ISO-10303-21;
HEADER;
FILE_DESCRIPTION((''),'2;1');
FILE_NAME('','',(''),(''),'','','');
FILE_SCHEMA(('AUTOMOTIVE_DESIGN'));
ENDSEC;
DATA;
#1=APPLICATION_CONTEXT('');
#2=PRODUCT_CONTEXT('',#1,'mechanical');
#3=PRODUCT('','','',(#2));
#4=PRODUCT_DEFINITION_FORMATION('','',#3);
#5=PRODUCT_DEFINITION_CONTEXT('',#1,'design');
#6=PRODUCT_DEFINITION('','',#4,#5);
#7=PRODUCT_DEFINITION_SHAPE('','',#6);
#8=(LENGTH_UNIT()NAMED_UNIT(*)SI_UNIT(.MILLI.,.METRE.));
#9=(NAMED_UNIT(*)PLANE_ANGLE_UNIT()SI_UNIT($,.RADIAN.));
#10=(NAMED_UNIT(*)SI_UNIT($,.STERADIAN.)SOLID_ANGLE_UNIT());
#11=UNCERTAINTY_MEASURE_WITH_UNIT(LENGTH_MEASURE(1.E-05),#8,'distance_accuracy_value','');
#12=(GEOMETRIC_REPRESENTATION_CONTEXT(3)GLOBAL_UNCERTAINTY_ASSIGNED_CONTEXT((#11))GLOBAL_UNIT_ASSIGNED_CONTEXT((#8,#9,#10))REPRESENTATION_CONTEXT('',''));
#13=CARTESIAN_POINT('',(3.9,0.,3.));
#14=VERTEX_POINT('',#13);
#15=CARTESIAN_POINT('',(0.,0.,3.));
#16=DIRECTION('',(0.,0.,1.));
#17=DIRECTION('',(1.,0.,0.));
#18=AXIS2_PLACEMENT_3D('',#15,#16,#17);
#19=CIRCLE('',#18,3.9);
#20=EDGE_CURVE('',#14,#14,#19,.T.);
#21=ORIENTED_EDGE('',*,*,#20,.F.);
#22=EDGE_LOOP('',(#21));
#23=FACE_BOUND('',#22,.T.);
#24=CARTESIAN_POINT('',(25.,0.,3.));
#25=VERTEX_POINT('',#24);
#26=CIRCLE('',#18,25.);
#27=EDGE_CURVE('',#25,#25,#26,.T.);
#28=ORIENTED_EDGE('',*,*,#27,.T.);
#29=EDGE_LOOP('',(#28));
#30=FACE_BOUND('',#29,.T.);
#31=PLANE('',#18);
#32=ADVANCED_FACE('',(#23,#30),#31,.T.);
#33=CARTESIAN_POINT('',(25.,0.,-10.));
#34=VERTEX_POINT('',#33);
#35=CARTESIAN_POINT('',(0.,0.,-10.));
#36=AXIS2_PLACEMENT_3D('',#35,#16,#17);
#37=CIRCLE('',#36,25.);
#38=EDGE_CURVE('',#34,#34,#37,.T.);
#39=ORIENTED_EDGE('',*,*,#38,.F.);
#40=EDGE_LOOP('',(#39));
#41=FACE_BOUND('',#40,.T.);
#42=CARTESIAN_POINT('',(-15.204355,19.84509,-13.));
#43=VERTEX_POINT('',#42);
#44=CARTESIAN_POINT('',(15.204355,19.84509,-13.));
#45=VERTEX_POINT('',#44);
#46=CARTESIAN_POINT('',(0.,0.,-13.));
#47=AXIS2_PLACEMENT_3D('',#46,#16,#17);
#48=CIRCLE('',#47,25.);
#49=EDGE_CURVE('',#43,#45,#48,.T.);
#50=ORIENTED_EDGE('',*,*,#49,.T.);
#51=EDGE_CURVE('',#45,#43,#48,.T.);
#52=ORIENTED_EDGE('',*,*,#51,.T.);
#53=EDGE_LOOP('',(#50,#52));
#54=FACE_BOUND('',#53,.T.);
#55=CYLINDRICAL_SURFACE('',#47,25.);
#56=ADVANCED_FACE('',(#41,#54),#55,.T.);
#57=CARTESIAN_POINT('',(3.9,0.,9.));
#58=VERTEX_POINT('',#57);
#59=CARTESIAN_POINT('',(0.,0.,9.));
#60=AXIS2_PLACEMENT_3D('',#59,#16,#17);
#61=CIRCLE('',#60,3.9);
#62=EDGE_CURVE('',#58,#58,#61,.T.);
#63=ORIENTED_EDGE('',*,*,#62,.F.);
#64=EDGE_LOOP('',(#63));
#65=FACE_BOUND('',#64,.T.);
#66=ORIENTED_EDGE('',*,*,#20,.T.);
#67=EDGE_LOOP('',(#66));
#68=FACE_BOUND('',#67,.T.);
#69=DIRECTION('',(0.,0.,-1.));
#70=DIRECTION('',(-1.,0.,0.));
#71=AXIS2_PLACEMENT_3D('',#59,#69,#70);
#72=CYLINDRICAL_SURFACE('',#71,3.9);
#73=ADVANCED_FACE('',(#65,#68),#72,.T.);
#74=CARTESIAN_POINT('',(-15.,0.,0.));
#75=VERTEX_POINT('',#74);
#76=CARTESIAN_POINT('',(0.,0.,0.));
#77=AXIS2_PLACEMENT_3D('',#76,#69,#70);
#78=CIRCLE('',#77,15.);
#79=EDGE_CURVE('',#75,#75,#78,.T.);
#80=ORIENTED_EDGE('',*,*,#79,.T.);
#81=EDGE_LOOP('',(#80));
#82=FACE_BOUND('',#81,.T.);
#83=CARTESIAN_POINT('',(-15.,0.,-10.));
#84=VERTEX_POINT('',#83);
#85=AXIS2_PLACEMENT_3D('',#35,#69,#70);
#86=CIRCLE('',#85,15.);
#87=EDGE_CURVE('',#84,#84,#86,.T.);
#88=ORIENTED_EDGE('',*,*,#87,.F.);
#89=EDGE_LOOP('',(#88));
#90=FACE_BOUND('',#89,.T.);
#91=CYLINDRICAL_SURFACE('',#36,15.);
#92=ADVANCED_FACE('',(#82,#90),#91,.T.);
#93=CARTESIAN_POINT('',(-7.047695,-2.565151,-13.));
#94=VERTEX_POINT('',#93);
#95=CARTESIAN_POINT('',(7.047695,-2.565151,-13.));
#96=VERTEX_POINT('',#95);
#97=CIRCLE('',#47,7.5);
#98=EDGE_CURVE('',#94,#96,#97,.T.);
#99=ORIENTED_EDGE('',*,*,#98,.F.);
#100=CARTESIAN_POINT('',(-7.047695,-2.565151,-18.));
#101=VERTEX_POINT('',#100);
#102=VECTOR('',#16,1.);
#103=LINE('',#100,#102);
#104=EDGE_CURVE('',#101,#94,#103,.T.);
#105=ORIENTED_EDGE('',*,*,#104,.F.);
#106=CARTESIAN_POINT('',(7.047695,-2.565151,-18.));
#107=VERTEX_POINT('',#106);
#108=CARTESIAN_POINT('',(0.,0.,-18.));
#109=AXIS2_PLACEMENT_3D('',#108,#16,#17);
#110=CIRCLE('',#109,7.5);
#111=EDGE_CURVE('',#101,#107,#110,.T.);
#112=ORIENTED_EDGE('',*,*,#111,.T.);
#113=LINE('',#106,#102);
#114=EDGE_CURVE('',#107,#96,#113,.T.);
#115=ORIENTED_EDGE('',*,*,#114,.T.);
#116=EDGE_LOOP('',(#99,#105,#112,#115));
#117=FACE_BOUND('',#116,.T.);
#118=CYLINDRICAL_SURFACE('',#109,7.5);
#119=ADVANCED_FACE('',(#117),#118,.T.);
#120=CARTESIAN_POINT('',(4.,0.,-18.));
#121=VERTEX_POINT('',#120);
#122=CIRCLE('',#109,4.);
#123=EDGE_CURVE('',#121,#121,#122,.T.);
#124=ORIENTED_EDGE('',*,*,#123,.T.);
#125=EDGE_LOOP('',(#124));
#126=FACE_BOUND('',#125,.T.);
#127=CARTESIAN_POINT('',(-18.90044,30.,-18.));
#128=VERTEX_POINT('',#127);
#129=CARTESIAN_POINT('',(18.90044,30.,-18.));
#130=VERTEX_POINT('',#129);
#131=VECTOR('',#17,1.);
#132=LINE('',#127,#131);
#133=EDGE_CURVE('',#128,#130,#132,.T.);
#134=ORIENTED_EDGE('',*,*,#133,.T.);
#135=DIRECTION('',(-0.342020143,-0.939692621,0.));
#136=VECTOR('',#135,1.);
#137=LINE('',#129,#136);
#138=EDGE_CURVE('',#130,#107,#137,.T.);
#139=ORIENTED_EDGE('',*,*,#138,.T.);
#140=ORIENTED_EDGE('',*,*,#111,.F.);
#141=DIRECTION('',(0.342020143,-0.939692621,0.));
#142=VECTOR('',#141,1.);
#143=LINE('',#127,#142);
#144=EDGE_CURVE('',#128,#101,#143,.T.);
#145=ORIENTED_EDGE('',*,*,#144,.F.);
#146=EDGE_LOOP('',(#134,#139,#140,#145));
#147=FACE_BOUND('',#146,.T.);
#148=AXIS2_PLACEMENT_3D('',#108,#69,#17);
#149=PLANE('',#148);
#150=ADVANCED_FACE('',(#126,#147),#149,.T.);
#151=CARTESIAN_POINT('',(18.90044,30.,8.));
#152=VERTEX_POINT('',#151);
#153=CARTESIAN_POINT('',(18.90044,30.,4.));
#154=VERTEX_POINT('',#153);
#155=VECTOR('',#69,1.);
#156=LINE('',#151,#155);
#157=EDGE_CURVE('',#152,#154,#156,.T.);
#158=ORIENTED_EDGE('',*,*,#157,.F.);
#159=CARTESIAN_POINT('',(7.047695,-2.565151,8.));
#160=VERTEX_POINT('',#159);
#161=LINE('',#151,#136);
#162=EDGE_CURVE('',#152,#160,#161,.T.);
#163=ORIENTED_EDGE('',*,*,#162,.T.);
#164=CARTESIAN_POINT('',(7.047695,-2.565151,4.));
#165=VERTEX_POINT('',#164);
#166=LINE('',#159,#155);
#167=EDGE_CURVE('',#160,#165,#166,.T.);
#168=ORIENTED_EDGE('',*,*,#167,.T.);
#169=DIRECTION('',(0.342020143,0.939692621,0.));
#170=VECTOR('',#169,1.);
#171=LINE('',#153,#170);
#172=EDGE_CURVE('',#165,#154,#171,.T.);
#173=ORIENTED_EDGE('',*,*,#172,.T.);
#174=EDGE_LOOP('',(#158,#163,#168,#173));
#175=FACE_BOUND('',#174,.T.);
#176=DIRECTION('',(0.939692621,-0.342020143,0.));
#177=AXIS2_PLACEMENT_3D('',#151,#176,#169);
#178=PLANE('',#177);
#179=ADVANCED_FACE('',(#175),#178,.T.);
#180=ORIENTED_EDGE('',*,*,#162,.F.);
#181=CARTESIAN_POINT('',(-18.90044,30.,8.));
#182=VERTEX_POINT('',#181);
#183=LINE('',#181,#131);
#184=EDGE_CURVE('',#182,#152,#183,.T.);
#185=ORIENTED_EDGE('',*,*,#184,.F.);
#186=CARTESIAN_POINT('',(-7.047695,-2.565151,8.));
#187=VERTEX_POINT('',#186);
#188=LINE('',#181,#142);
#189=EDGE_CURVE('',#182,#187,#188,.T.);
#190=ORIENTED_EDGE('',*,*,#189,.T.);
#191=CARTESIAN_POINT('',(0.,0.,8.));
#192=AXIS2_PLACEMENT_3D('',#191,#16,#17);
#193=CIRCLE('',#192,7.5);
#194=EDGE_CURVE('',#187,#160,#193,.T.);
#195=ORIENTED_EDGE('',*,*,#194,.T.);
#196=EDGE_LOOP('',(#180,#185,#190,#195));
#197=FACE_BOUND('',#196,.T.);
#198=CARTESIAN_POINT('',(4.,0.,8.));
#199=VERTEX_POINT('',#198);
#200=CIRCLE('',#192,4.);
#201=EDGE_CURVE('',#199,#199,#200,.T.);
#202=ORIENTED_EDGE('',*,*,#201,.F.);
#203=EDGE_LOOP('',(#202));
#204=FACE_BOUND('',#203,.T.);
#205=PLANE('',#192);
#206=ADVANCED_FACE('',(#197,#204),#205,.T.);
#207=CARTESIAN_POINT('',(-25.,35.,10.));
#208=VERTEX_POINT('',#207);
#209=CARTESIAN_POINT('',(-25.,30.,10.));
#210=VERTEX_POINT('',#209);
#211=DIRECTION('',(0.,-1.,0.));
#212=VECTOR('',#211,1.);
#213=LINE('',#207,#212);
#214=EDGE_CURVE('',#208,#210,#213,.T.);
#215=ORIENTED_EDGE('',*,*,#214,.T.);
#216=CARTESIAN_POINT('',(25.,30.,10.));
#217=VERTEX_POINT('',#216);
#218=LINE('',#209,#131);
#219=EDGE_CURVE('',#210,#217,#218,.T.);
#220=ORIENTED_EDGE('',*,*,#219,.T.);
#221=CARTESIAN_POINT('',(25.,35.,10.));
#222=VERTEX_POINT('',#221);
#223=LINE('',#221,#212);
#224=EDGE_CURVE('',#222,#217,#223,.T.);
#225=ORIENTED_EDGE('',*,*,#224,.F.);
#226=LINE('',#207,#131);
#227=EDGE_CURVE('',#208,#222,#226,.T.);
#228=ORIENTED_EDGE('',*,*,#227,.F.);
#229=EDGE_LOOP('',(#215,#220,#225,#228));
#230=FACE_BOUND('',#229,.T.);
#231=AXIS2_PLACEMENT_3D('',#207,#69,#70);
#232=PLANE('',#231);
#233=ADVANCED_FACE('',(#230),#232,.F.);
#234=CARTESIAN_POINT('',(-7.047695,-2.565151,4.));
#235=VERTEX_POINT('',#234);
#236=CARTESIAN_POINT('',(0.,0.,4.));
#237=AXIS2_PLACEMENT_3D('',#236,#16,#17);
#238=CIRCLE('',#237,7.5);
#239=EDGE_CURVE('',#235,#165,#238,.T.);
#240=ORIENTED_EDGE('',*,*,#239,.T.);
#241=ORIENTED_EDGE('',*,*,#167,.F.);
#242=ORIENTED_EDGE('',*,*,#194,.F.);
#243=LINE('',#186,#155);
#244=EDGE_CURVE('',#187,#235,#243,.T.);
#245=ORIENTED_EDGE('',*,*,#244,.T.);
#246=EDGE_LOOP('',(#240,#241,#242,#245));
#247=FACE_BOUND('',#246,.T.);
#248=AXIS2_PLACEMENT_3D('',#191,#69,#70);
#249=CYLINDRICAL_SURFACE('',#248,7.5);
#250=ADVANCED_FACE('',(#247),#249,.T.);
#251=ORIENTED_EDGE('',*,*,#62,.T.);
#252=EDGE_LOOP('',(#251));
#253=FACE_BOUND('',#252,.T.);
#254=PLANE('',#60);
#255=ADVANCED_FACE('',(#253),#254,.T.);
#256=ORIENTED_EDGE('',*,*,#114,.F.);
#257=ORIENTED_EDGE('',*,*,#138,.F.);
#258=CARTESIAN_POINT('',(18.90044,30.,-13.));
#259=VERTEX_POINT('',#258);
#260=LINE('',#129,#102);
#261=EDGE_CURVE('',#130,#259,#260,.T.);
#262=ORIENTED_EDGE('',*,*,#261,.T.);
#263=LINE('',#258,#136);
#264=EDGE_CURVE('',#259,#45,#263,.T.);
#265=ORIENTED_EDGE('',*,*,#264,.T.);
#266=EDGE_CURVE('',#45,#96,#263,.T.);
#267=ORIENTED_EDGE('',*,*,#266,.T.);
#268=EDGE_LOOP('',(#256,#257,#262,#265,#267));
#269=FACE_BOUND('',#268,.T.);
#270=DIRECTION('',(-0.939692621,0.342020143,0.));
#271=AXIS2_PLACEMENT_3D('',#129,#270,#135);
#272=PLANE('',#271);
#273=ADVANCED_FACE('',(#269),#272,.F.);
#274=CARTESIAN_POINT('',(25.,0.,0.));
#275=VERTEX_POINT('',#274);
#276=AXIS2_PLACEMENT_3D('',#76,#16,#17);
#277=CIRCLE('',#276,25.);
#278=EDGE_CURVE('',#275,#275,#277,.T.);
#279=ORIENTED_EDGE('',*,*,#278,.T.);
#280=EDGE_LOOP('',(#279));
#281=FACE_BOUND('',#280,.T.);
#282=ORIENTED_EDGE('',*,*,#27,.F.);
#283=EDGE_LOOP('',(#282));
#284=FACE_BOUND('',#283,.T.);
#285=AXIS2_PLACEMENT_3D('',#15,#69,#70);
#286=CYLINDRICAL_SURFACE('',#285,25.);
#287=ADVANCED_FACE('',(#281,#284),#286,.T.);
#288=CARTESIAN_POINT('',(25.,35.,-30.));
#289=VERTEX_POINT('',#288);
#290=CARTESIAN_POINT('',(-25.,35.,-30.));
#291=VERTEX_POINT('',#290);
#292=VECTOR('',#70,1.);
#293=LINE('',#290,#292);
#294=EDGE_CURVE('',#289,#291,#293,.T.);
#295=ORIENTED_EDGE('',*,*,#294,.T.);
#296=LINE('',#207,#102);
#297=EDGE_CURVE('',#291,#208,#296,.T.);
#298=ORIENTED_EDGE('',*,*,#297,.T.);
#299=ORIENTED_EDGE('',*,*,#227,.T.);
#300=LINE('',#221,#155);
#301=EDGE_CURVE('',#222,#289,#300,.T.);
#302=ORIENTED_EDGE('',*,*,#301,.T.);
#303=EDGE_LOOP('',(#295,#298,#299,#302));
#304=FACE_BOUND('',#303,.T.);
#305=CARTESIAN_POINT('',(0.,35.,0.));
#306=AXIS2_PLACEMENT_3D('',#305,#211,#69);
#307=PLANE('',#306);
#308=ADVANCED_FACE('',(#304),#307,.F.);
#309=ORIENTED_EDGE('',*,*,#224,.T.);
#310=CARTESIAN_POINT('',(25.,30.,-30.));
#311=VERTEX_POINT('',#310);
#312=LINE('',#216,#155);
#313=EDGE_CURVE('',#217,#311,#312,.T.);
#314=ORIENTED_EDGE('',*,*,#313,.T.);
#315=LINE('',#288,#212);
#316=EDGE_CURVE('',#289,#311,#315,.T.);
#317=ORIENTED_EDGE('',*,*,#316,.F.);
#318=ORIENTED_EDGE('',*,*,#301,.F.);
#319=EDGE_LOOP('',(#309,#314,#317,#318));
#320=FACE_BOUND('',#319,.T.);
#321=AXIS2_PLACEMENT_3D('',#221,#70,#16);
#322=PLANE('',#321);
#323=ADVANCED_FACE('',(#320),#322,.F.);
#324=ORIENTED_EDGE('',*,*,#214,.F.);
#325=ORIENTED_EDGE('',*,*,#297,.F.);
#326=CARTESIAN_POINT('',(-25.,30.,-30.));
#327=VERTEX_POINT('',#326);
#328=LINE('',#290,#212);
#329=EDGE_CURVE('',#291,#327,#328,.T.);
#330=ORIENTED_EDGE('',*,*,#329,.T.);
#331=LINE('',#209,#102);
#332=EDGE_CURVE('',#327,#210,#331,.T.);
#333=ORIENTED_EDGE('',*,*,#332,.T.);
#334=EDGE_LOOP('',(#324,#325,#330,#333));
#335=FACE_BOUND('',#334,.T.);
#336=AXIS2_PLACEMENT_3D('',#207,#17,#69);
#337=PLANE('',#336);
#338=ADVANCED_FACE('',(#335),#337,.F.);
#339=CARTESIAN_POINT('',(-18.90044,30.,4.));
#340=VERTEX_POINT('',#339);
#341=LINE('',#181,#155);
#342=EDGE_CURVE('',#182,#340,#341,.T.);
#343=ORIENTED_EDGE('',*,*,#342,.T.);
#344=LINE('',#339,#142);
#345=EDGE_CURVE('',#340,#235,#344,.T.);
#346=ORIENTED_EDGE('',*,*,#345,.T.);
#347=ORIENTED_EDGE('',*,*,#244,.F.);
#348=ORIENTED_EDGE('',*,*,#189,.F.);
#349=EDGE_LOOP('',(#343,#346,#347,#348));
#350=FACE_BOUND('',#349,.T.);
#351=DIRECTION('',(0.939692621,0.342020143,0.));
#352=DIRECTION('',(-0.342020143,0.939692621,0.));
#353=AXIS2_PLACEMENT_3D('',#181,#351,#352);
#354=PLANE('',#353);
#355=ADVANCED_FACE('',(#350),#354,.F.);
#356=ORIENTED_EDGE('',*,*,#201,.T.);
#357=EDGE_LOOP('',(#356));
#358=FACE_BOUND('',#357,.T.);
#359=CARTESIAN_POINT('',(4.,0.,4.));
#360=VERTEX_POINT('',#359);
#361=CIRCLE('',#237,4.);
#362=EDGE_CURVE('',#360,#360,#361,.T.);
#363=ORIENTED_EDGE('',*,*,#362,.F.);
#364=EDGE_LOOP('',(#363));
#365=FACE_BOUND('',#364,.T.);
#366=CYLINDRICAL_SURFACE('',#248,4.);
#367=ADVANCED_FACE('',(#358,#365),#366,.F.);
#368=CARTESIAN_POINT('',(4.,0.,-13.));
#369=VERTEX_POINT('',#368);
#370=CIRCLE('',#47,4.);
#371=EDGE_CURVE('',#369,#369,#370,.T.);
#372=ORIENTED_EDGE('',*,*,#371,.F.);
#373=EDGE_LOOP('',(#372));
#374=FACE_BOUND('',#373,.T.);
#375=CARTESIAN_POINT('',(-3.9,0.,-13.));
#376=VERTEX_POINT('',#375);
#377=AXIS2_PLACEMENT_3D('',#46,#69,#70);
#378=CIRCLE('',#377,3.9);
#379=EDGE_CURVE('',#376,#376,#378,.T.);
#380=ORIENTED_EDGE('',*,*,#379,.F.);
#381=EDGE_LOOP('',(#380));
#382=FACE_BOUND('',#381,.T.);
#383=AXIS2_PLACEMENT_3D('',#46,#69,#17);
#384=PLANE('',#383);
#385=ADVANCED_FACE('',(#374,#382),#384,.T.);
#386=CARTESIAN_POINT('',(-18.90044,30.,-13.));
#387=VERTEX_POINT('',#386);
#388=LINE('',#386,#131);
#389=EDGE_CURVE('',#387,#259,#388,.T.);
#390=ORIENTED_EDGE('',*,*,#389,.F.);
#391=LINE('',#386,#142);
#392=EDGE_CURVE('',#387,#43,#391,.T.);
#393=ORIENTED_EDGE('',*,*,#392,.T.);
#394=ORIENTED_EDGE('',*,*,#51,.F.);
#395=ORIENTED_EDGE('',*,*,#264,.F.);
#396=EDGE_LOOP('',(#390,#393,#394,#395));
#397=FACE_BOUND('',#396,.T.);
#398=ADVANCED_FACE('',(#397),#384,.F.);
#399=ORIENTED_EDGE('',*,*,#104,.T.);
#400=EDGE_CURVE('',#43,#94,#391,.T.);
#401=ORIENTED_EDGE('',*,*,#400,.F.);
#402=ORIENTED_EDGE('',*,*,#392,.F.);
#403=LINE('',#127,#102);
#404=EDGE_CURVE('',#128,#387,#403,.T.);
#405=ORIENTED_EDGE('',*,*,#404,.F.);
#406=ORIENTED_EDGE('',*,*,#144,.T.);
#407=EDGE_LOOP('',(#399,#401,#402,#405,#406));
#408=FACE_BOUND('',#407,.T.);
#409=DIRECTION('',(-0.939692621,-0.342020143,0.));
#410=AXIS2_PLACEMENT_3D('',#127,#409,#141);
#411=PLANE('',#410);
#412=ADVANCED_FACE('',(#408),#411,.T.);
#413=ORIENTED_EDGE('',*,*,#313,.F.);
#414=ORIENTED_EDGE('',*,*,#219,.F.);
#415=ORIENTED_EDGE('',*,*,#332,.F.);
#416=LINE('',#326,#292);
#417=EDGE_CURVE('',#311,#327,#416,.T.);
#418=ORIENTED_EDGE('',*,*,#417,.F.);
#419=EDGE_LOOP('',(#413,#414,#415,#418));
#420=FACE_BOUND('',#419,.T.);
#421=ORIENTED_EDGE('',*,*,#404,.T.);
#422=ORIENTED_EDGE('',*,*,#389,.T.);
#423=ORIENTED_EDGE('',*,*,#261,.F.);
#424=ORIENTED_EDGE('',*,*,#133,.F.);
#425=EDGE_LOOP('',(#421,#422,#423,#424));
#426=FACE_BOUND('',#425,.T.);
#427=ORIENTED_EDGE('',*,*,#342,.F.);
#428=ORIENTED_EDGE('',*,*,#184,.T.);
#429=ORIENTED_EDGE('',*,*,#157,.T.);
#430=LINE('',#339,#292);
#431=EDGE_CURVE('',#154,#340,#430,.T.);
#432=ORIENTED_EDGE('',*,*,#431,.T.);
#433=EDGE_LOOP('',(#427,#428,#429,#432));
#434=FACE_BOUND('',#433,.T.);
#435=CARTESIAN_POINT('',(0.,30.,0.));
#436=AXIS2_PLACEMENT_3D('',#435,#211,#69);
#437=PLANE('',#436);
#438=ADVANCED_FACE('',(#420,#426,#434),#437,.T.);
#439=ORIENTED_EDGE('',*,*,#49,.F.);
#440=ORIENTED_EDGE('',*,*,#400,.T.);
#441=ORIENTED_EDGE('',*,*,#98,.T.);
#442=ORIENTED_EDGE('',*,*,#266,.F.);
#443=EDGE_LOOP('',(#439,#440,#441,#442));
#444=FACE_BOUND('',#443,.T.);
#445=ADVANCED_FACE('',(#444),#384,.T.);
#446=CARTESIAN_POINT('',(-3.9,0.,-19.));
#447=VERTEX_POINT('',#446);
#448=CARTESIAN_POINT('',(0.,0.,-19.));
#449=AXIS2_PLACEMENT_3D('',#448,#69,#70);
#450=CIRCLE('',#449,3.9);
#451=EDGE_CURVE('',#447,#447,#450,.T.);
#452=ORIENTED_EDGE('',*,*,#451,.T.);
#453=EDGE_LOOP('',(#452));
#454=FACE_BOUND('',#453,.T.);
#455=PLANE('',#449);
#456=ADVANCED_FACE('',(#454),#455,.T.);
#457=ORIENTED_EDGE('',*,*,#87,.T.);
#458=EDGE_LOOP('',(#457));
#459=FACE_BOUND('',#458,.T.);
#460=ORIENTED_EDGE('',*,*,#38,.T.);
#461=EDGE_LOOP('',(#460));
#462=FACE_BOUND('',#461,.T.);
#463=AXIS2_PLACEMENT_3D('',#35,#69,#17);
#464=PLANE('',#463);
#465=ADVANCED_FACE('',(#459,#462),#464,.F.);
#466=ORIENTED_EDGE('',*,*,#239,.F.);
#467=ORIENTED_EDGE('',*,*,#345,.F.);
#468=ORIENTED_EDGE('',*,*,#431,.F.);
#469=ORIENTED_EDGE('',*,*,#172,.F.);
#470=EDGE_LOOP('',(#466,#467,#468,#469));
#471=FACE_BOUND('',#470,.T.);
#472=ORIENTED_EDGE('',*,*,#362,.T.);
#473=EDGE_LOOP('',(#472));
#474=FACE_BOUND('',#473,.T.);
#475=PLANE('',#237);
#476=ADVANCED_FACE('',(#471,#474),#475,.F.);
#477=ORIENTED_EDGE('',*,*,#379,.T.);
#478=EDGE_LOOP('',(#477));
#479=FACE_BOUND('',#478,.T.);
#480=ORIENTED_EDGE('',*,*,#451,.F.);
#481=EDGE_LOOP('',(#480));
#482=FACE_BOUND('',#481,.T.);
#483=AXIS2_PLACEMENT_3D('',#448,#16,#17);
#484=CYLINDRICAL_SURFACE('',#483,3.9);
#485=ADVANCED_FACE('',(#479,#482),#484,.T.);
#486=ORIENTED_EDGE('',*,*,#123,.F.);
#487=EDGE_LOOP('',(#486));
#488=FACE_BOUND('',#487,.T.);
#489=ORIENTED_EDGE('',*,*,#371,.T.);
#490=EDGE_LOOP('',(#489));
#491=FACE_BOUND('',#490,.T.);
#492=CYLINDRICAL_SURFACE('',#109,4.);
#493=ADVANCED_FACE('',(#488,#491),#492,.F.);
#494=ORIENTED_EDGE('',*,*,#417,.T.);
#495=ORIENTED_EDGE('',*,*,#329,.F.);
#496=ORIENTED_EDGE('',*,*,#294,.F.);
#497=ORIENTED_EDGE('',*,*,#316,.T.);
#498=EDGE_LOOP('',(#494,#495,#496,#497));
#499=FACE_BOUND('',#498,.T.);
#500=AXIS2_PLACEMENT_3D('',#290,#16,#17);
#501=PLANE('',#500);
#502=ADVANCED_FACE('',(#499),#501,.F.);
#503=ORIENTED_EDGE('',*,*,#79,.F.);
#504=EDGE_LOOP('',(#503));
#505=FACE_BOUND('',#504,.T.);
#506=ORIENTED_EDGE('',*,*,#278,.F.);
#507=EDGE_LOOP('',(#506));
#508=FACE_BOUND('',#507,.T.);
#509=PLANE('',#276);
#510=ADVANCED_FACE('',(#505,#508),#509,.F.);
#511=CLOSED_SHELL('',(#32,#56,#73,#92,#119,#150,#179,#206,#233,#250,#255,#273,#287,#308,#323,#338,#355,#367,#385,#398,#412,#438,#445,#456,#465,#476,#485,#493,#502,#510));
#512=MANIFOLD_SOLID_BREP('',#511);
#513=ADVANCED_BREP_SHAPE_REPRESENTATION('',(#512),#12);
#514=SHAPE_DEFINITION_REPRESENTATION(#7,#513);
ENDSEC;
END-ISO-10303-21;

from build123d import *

# Parameters (mm, degrees)
SKETCH_1_R          = 25
EXTRUDE_1_DEPTH     = 3
SKETCH_2_R          = 4
EXTRUDE_2_DEPTH     = 5
SKETCH_3_R          = 3.9
EXTRUDE_4_DEPTH     = 6
SKETCH_5_R          = 15
EXTRUDE_5_DEPTH     = 10
EXTRUDE_START       = 6
SKETCH_6_R          = 3.9
EXTRUDE_6_DEPTH     = 6
SKETCH_8_W          = 50
SKETCH_8_H          = 40
EXTRUDE_7_DEPTH     = 5
SKETCH_2_3_R        = 4
CUT_EXTRUDE_1_DEPTH = 1


with BuildPart() as part:
    # 草图1 → 凸台-拉伸1 (new body)
    with BuildSketch(Plane.XY):
        Circle(SKETCH_1_R)
    extrude_1 = extrude(amount=EXTRUDE_1_DEPTH)

    # 草图2 → 凸台-拉伸2 (add)
    with BuildSketch(Plane.XY.offset(3)):
        with BuildLine():
            Line((-18.900440322, 30), (-7.047694656, -2.565151075))
            ThreePointArc((-7.047694656, -2.565151075), (0, -7.5), (7.047694656, -2.565151075))
            Line((7.047694656, -2.565151075), (18.900440322, 30))
            Line((18.900440322, 30), (-18.900440322, 30))
        make_face()
        Circle(SKETCH_2_R, mode=Mode.SUBTRACT)
    extrude_2 = extrude(amount=EXTRUDE_2_DEPTH)

    # 草图3 → 凸台-拉伸4 (add)
    with BuildSketch(Plane.XY.offset(3)):
        Circle(SKETCH_3_R)
    extrude(amount=EXTRUDE_4_DEPTH)

    # 草图5 → 凸台-拉伸5 (add)
    with BuildSketch(Plane(origin=(0, 0, 0), x_dir=(-1, 0, 0), z_dir=(0, 0, -1))):
        Circle(SKETCH_5_R)
    extrude(amount=EXTRUDE_5_DEPTH)

    # 镜向1: 凸台-拉伸1, 凸台-拉伸2 across plane
    add(extrude_1.mirror(Plane.XY.offset(-5)))
    add(extrude_2.mirror(Plane.XY.offset(-5)))

    # 草图6 → 凸台-拉伸6 (add)
    with BuildSketch(Plane(origin=(0, 0, -13), x_dir=(-1, 0, 0), z_dir=(0, 0, -1)).offset(EXTRUDE_START)):
        Circle(SKETCH_6_R)
    extrude(amount=-EXTRUDE_6_DEPTH)

    # 草图8 → 凸台-拉伸7 (add)
    with BuildSketch(Plane(origin=(0, 30, 0), x_dir=(1, 0, 0), z_dir=(0, 1, 0))):
        with Locations((0, 10)):
            Rectangle(SKETCH_8_W, SKETCH_8_H)
    extrude(amount=EXTRUDE_7_DEPTH)

    # 草图2<3> → 切除-拉伸1 (cut)
    with BuildSketch(Plane.XY.offset(3)):
        with BuildLine():
            Line((-18.900440322, 30), (-7.047694656, -2.565151075))
            ThreePointArc((-7.047694656, -2.565151075), (0, -7.5), (7.047694656, -2.565151075))
            Line((7.047694656, -2.565151075), (18.900440322, 30))
            Line((18.900440322, 30), (-18.900440322, 30))
        make_face()
        Circle(SKETCH_2_3_R, mode=Mode.SUBTRACT)
    extrude(amount=CUT_EXTRUDE_1_DEPTH, mode=Mode.SUBTRACT)


solid = part.part
